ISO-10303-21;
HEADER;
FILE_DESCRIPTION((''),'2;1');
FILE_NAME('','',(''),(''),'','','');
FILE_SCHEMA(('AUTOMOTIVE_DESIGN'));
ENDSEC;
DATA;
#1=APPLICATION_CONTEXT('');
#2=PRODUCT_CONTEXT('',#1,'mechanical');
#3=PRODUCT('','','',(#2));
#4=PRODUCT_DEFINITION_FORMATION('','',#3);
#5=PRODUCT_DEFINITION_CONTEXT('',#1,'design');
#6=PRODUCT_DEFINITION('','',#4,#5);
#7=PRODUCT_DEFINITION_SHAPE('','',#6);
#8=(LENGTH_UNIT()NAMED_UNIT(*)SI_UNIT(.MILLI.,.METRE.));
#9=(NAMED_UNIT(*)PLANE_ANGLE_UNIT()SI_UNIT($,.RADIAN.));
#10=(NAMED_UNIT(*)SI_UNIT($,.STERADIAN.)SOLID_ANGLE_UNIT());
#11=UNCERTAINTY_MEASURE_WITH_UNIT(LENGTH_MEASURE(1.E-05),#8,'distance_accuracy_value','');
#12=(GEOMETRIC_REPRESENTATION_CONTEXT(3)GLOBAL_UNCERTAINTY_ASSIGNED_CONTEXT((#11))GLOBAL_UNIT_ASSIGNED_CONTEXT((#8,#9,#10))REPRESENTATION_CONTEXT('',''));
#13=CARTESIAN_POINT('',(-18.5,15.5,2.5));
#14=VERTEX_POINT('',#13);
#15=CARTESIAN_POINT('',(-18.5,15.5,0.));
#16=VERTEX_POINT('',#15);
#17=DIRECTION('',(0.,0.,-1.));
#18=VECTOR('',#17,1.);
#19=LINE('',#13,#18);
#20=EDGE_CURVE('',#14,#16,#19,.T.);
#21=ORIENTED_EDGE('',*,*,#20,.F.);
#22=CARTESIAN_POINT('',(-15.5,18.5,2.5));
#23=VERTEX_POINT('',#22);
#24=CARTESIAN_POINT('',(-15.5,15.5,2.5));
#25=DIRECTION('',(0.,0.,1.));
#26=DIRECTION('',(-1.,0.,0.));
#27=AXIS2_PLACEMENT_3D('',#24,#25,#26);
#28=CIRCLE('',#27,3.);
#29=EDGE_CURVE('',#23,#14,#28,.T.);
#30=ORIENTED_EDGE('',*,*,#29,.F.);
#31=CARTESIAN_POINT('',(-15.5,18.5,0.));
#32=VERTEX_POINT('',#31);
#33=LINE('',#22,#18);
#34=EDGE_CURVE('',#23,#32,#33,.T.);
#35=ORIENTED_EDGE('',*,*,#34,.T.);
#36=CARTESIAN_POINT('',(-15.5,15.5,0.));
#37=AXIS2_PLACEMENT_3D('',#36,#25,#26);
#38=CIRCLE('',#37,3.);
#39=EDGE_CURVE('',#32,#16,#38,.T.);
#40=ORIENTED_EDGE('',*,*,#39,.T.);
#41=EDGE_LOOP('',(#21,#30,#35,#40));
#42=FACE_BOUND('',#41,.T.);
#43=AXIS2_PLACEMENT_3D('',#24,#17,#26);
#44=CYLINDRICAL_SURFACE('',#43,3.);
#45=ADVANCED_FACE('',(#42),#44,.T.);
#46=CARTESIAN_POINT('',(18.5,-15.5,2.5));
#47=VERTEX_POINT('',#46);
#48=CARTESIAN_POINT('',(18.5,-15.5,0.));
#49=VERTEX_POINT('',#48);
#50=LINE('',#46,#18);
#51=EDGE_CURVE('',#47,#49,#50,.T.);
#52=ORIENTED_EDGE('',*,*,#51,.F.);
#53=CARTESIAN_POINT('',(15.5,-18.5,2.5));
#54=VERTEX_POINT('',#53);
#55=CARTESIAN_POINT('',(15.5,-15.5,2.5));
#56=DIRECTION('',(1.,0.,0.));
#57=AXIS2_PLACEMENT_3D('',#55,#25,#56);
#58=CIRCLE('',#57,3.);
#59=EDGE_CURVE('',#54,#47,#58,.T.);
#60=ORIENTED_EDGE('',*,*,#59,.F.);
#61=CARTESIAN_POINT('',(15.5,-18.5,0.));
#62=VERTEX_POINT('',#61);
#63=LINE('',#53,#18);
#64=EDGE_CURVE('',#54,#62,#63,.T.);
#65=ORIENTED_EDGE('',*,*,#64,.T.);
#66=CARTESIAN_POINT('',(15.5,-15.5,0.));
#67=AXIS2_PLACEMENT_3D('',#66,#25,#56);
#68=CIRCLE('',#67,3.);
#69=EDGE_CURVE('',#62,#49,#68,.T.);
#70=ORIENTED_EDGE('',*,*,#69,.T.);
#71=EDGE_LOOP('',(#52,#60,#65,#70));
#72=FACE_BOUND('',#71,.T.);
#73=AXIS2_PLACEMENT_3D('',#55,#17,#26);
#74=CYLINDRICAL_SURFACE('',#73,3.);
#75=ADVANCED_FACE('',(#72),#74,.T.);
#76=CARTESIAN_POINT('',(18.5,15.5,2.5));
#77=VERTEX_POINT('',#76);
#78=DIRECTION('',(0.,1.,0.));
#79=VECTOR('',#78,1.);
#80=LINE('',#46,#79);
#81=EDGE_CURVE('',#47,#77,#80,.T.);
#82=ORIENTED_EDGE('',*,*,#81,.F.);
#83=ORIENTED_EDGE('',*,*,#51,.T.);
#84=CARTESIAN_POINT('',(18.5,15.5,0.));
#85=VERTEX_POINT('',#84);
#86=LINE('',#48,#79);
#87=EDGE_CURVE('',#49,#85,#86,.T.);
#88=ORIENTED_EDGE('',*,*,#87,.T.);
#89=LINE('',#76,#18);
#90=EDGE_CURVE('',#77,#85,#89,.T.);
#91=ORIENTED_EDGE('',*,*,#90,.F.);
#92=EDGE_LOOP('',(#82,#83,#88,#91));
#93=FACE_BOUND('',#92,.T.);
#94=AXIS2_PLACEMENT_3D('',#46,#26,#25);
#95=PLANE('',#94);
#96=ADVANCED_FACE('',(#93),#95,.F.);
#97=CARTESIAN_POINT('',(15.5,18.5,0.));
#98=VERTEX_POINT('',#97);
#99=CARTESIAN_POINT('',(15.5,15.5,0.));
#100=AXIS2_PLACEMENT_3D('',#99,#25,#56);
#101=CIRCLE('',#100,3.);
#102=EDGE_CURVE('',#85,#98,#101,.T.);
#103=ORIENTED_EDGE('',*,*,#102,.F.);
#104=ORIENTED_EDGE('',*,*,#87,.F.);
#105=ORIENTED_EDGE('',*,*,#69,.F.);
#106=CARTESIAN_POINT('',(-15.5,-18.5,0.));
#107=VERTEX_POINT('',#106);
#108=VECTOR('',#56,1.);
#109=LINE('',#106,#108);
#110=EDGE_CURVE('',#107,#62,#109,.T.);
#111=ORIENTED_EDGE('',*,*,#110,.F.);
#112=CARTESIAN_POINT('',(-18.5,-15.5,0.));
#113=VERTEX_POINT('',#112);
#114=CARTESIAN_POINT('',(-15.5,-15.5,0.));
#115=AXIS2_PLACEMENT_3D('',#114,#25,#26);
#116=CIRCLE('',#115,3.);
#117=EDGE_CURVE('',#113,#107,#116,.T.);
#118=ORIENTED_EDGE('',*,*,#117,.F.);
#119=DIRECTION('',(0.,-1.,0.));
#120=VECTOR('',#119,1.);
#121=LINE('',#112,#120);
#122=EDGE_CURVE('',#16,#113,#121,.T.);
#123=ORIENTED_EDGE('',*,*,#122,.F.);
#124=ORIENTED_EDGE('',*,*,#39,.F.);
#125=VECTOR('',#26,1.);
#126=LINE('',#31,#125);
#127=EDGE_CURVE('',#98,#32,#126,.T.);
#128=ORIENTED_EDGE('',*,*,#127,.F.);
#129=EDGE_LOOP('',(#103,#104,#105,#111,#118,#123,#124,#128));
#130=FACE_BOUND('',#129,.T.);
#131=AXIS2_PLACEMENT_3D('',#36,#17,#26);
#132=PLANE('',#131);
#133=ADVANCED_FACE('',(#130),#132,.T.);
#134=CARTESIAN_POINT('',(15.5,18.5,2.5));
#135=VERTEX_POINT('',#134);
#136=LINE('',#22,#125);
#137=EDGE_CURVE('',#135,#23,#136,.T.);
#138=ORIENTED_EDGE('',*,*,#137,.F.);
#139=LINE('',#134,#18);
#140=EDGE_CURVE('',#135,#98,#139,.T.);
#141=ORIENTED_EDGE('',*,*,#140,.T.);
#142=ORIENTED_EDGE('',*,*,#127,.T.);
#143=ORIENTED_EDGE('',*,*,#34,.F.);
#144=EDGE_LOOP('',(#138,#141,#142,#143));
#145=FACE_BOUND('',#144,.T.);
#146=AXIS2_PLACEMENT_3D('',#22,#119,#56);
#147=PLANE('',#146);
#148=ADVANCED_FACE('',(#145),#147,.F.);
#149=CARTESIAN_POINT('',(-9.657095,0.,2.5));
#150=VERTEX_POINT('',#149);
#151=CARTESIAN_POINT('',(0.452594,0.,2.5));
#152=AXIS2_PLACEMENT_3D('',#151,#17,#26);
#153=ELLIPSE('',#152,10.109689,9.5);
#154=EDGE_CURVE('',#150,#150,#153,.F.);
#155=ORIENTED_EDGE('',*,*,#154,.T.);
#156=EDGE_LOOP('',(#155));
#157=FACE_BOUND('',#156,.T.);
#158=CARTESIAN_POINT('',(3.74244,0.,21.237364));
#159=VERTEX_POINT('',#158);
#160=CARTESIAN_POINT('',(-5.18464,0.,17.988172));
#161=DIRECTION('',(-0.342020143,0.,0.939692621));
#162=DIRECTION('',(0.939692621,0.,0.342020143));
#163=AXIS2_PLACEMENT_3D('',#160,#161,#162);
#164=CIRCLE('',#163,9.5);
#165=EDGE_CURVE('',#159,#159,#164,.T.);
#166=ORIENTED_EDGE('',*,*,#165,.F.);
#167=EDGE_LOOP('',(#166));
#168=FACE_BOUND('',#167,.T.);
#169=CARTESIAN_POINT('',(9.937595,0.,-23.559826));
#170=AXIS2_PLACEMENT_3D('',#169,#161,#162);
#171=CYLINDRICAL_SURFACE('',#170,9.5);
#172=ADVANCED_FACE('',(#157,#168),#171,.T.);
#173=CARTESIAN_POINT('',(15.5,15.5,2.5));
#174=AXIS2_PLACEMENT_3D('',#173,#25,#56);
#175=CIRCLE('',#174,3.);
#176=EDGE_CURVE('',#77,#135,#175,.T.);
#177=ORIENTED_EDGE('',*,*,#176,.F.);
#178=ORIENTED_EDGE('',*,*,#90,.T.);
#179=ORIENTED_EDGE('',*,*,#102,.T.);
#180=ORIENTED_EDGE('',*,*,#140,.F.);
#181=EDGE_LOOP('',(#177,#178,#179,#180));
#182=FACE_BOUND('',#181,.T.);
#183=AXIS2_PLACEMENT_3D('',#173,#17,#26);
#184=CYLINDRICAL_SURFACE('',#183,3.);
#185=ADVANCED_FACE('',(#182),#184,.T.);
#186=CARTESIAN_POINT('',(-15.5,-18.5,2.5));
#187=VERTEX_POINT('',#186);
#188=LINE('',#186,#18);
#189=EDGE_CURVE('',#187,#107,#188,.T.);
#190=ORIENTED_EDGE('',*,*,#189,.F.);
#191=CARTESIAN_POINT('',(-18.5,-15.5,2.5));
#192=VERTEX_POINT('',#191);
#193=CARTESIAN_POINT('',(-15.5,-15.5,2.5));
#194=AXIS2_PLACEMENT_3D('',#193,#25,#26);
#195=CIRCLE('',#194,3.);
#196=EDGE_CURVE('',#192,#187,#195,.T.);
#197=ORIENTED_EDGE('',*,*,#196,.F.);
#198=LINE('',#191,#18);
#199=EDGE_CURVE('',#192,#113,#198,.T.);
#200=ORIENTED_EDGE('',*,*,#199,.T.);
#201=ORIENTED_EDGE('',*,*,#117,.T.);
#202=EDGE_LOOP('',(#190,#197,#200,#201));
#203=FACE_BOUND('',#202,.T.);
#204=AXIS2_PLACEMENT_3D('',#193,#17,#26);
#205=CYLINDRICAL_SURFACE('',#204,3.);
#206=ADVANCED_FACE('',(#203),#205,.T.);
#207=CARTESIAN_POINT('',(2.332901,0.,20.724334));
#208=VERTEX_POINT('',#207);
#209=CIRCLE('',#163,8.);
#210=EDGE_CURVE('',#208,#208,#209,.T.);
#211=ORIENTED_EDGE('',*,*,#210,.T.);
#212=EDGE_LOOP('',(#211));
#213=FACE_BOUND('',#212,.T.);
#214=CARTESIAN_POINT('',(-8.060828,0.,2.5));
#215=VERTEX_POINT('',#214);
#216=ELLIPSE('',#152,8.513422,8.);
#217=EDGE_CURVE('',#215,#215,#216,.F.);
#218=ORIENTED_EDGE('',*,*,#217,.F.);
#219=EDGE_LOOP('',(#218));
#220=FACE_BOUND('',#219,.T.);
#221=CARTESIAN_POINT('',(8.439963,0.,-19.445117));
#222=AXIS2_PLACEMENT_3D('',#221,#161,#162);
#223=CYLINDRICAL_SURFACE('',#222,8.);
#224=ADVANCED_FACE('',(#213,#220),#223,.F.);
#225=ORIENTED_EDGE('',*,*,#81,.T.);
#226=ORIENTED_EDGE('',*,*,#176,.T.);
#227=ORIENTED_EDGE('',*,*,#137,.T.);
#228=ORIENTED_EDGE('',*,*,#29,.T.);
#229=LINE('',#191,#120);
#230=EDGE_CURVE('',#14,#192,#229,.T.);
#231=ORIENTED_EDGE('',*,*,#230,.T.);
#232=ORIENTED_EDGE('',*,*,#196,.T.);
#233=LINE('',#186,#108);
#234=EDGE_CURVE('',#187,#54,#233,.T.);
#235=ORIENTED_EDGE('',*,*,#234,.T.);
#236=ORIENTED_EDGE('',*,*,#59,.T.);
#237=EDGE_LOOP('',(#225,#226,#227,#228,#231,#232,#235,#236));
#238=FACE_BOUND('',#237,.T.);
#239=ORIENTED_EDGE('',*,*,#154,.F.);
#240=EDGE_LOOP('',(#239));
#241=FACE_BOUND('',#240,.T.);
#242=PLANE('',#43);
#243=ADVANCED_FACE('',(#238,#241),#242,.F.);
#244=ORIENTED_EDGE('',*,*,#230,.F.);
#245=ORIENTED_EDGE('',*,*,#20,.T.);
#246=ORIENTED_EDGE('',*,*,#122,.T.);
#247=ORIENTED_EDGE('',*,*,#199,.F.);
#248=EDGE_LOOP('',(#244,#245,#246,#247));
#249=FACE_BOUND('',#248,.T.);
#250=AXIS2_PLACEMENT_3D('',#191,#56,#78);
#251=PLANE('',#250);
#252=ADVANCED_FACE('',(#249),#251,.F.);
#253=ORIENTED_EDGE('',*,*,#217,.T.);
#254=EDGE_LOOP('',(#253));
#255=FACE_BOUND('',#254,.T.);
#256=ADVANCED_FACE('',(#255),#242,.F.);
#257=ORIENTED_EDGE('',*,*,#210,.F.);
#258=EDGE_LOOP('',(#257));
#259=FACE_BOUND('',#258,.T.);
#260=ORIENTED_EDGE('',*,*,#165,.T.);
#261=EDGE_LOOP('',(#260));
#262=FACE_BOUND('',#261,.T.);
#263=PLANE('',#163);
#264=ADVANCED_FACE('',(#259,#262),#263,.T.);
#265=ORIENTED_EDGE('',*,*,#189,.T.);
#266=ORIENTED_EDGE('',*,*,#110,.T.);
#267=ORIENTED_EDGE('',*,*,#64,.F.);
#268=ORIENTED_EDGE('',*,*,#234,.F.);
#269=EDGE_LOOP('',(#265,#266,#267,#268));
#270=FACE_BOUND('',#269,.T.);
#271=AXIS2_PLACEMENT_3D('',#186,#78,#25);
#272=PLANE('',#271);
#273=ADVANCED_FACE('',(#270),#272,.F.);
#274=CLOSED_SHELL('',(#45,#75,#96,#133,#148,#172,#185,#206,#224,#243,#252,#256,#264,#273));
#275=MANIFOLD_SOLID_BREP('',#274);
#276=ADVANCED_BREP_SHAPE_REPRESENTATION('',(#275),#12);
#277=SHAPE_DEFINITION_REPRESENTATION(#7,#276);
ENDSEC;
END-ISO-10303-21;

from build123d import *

# Parameters (mm, degrees)
EXTRUDE_1_DEPTH     = 2.5
EXTRUDE_3_REACH     = 31.489
SKETCH_6_R          = 9.5
EXTRUDE_START       = 10
SKETCH_12_R         = 9.5
EXTRUDE_4_DEPTH     = 10
CUT_EXTRUDE_4_REACH = 37.632
SKETCH_13_R         = 8


with BuildPart() as part:
    # 草圖1 → 填料-伸長1 (new body)
    with BuildSketch(Plane.XY):
        with BuildLine():
            Line((-15.5, -18.5), (15.5, -18.5))
            ThreePointArc((15.5, -18.5), (17.621320344, -17.621320344), (18.5, -15.5))
            Line((18.5, -15.5), (18.5, 15.5))
            ThreePointArc((18.5, 15.5), (17.621320344, 17.621320344), (15.5, 18.5))
            Line((15.5, 18.5), (-15.5, 18.5))
            ThreePointArc((-15.5, 18.5), (-17.621320344, 17.621320344), (-18.5, 15.5))
            Line((-18.5, 15.5), (-18.5, -15.5))
            ThreePointArc((-18.5, -15.5), (-17.621320344, -17.621320344), (-15.5, -18.5))
        make_face()
    extrude(amount=EXTRUDE_1_DEPTH)

    # 填料-伸長3: up to this plane
    extrude_3_end = Plane(origin=(-15.5, 15.5, 2.5), z_dir=(0, 0, -1))
    # 草圖6 → 填料-伸長3 (add, up to the surface)
    with BuildSketch(Plane(origin=(-2.967573413, 0, 8.153340943), x_dir=(0, -1, 0), z_dir=(-0.34202014332566943, 0, 0.9396926207859081)), mode=Mode.PRIVATE) as extrude_3_sk1:
        with Locations(Location((0, 1.280349356, 0), (0, 0, 90))):
            Circle(SKETCH_6_R)
    extrude_3_tool1 = split(extrude(extrude_3_sk1.sketch, amount=-EXTRUDE_3_REACH, mode=Mode.PRIVATE), bisect_by=extrude_3_end, keep=Keep.BOTH, mode=Mode.PRIVATE)
    add(extrude_3_tool1.solids().sort_by_distance((-1.764439, 0, 8.591246))[0])

    # 草圖12 → 填料-伸長4 (add)
    with BuildSketch(Plane(origin=(-2.967573413, 0, 8.153340943), x_dir=(0.9396926207859082, 0, 0.3420201433256695), z_dir=(-0.3420201433256695, 0, 0.9396926207859082)).offset(EXTRUDE_START)):
        with Locations((1.280349356, 0)):
            Circle(SKETCH_12_R)
    extrude(amount=-EXTRUDE_4_DEPTH)

    # 除料-伸長4: up to this plane
    cut_extrude_4_end = Plane(origin=(-15.5, 15.5, 2.5), z_dir=(0, 0, -1))
    # 草圖13 → 除料-伸長4 (cut, up to the surface)
    with BuildSketch(Plane(origin=(-6.387774847, 0, 17.550267151), x_dir=(0.9396926207859082, 0, 0.3420201433256695), z_dir=(-0.3420201433256695, 0, 0.9396926207859082)), mode=Mode.PRIVATE) as cut_extrude_4_sk1:
        with Locations((1.280349356, 0)):
            Circle(SKETCH_13_R)
    cut_extrude_4_tool1 = split(extrude(cut_extrude_4_sk1.sketch, amount=-CUT_EXTRUDE_4_REACH, mode=Mode.PRIVATE), bisect_by=cut_extrude_4_end, keep=Keep.BOTH, mode=Mode.PRIVATE)
    add(cut_extrude_4_tool1.solids().sort_by_distance((-5.18464, 0, 17.988172))[0], mode=Mode.SUBTRACT)


solid = part.part
